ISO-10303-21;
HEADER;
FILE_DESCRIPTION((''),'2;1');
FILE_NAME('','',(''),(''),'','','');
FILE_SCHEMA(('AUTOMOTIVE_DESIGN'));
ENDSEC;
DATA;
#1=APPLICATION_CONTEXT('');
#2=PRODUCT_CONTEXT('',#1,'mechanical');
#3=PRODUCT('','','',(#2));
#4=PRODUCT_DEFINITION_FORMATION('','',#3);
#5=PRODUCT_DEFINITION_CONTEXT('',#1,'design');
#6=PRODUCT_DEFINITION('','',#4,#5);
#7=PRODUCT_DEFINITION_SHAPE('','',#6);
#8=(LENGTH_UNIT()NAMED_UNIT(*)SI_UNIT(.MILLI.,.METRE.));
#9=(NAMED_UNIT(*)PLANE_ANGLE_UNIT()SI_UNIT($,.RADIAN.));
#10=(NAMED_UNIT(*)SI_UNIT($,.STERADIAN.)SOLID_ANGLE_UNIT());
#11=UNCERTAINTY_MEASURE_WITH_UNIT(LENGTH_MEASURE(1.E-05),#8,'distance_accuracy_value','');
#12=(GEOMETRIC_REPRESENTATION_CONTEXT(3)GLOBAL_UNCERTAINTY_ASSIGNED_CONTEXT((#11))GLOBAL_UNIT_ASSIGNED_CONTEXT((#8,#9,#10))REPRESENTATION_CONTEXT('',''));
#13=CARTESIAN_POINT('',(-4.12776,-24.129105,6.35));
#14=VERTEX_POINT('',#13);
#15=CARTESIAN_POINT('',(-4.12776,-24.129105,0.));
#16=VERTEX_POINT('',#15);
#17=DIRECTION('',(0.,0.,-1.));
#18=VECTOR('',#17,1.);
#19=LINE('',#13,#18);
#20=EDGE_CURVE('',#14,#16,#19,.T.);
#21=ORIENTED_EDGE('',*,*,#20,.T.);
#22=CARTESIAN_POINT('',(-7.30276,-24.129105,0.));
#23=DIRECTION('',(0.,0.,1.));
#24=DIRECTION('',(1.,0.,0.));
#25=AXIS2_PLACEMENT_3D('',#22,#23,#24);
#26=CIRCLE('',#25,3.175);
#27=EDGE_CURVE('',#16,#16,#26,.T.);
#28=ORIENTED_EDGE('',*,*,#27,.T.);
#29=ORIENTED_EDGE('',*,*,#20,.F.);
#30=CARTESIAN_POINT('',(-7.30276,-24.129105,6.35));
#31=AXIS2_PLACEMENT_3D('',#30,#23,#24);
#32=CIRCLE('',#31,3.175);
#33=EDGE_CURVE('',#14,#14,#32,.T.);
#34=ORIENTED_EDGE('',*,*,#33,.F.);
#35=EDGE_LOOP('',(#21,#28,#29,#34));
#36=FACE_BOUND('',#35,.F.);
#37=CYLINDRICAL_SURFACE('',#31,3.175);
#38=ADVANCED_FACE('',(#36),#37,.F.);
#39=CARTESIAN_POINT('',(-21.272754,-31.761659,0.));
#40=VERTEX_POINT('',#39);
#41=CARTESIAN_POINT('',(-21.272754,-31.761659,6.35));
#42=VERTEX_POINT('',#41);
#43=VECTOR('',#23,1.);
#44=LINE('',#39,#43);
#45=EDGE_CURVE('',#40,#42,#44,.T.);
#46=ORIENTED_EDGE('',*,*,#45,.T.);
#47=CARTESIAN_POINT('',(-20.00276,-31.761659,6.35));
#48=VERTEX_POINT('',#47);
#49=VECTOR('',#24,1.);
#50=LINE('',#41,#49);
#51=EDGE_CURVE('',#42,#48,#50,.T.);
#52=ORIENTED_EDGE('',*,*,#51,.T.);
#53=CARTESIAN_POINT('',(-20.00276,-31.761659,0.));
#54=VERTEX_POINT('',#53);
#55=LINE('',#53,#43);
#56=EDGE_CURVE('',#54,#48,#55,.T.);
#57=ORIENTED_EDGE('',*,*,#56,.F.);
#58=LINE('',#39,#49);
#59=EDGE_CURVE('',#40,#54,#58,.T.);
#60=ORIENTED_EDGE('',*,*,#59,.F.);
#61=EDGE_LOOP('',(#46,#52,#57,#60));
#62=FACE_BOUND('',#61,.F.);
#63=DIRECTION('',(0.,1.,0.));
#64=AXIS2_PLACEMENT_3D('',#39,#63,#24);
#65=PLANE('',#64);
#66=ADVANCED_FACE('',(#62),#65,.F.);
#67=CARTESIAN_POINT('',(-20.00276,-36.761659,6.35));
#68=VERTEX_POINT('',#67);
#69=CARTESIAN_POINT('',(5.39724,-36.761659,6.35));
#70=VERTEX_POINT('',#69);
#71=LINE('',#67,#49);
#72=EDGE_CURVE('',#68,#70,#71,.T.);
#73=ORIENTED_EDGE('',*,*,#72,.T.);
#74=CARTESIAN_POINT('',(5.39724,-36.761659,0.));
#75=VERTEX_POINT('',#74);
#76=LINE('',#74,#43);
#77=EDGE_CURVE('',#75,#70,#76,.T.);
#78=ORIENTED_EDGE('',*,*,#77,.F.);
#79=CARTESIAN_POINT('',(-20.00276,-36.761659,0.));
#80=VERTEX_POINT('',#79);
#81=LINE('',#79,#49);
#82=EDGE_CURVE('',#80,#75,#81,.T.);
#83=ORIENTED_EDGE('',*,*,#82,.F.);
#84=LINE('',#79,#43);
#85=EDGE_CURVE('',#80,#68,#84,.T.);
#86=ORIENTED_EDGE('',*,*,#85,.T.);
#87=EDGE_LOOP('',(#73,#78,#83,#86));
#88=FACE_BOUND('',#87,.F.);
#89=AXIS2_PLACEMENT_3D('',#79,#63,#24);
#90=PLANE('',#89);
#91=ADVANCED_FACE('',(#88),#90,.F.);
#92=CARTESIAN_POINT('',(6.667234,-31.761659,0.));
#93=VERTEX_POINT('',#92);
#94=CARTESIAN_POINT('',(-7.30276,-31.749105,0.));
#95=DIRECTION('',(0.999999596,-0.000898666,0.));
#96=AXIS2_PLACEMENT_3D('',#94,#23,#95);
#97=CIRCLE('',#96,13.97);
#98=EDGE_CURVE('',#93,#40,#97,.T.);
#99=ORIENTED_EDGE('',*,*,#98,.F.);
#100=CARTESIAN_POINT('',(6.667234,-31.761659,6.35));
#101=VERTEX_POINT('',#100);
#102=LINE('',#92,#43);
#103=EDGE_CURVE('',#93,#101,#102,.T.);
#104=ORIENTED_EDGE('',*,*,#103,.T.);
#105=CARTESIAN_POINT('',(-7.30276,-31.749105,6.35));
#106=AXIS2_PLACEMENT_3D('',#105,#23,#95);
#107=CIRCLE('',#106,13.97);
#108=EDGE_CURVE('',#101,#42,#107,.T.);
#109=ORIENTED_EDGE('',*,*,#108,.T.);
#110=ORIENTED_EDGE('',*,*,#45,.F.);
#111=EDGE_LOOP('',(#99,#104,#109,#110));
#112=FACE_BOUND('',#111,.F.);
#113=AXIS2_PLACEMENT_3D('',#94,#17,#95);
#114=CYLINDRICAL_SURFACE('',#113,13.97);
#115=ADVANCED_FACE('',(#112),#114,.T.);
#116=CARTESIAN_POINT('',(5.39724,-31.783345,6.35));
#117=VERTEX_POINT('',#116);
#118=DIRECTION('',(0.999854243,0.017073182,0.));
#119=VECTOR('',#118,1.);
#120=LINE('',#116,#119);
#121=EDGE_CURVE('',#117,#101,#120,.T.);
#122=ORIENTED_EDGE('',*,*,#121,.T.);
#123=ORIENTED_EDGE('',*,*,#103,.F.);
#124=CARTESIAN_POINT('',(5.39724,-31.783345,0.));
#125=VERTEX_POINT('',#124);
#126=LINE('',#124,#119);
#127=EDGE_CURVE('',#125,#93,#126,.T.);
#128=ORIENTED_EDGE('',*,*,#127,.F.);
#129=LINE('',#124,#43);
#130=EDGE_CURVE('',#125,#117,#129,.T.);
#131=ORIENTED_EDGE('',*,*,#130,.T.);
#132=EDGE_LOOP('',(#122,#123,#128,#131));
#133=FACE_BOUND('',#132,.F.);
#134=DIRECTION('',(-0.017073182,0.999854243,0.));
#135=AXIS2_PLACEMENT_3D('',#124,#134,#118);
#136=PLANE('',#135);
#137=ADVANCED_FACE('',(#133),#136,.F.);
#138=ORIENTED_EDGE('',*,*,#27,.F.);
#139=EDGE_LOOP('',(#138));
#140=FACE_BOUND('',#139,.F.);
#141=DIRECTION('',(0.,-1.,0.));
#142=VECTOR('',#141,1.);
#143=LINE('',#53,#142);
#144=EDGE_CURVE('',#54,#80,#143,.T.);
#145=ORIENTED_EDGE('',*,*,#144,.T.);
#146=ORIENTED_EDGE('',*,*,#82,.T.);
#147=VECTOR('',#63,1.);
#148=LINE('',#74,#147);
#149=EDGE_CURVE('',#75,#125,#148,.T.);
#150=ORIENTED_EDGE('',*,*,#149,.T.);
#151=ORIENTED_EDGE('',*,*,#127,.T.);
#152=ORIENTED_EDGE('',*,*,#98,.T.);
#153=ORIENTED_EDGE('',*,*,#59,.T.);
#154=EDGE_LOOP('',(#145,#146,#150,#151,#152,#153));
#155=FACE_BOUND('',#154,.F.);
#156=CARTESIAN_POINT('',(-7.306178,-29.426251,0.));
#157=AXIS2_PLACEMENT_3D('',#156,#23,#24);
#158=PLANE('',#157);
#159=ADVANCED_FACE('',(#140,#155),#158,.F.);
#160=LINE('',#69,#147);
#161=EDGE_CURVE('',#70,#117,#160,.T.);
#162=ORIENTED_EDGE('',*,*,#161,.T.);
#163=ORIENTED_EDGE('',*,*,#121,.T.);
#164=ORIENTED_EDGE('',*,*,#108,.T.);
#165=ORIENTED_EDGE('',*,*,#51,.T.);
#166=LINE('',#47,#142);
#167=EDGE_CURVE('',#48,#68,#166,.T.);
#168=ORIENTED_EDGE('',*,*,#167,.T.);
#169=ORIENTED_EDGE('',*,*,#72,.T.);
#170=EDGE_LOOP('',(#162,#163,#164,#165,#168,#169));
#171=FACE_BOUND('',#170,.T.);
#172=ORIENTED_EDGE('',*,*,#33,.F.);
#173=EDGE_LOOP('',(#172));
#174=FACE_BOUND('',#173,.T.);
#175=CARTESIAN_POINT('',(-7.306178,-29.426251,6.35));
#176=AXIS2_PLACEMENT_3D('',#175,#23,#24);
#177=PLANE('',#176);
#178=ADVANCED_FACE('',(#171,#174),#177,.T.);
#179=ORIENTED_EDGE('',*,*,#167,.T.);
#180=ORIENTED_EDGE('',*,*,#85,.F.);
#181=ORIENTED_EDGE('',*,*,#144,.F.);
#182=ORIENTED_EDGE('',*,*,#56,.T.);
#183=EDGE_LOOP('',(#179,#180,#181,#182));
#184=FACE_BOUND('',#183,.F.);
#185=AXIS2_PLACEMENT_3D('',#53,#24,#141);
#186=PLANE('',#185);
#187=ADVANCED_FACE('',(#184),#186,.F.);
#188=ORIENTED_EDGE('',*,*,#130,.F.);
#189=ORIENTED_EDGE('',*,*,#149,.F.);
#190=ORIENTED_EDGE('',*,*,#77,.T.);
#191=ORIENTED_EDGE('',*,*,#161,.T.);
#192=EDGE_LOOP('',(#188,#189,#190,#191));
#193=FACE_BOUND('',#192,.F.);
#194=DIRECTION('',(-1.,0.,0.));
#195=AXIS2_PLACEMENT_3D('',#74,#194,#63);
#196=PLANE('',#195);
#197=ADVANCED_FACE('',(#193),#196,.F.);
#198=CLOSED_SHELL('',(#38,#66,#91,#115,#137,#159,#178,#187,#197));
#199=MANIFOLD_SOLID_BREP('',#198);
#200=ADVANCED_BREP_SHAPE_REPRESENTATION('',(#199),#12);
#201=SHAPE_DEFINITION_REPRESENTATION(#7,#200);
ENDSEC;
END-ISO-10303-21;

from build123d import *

# Parameters (mm, degrees)
F1_DEPTH = 6.35
F2_R     = 3.175
F3_DEPTH = 25.4


with BuildPart() as f1:
    # F0 (on Top) → F1 (new body)
    with BuildSketch(Plane.XY):
        with BuildLine():
            Line((-20.00276, -31.761659), (-20.00276, -36.761659))
            Line((-20.00276, -36.761659), (5.39724, -36.761659))
            Line((5.39724, -36.761659), (5.39724, -31.783345))
            Line((5.39724, -31.783345), (6.667234, -31.761659))
            ThreePointArc((6.667234, -31.761659), (-7.30276, -17.779105), (-21.272754, -31.761659))
            Line((-21.272754, -31.761659), (-20.00276, -31.761659))
        make_face()
    extrude(amount=F1_DEPTH)

    # F2 (on face) → F3 (cut)
    with BuildSketch(Plane.XY.offset(6.35)):
        with Locations((-7.30276, -24.129105)):
            Circle(F2_R)
    extrude(amount=-F3_DEPTH, mode=Mode.SUBTRACT)


solid = f1.part
